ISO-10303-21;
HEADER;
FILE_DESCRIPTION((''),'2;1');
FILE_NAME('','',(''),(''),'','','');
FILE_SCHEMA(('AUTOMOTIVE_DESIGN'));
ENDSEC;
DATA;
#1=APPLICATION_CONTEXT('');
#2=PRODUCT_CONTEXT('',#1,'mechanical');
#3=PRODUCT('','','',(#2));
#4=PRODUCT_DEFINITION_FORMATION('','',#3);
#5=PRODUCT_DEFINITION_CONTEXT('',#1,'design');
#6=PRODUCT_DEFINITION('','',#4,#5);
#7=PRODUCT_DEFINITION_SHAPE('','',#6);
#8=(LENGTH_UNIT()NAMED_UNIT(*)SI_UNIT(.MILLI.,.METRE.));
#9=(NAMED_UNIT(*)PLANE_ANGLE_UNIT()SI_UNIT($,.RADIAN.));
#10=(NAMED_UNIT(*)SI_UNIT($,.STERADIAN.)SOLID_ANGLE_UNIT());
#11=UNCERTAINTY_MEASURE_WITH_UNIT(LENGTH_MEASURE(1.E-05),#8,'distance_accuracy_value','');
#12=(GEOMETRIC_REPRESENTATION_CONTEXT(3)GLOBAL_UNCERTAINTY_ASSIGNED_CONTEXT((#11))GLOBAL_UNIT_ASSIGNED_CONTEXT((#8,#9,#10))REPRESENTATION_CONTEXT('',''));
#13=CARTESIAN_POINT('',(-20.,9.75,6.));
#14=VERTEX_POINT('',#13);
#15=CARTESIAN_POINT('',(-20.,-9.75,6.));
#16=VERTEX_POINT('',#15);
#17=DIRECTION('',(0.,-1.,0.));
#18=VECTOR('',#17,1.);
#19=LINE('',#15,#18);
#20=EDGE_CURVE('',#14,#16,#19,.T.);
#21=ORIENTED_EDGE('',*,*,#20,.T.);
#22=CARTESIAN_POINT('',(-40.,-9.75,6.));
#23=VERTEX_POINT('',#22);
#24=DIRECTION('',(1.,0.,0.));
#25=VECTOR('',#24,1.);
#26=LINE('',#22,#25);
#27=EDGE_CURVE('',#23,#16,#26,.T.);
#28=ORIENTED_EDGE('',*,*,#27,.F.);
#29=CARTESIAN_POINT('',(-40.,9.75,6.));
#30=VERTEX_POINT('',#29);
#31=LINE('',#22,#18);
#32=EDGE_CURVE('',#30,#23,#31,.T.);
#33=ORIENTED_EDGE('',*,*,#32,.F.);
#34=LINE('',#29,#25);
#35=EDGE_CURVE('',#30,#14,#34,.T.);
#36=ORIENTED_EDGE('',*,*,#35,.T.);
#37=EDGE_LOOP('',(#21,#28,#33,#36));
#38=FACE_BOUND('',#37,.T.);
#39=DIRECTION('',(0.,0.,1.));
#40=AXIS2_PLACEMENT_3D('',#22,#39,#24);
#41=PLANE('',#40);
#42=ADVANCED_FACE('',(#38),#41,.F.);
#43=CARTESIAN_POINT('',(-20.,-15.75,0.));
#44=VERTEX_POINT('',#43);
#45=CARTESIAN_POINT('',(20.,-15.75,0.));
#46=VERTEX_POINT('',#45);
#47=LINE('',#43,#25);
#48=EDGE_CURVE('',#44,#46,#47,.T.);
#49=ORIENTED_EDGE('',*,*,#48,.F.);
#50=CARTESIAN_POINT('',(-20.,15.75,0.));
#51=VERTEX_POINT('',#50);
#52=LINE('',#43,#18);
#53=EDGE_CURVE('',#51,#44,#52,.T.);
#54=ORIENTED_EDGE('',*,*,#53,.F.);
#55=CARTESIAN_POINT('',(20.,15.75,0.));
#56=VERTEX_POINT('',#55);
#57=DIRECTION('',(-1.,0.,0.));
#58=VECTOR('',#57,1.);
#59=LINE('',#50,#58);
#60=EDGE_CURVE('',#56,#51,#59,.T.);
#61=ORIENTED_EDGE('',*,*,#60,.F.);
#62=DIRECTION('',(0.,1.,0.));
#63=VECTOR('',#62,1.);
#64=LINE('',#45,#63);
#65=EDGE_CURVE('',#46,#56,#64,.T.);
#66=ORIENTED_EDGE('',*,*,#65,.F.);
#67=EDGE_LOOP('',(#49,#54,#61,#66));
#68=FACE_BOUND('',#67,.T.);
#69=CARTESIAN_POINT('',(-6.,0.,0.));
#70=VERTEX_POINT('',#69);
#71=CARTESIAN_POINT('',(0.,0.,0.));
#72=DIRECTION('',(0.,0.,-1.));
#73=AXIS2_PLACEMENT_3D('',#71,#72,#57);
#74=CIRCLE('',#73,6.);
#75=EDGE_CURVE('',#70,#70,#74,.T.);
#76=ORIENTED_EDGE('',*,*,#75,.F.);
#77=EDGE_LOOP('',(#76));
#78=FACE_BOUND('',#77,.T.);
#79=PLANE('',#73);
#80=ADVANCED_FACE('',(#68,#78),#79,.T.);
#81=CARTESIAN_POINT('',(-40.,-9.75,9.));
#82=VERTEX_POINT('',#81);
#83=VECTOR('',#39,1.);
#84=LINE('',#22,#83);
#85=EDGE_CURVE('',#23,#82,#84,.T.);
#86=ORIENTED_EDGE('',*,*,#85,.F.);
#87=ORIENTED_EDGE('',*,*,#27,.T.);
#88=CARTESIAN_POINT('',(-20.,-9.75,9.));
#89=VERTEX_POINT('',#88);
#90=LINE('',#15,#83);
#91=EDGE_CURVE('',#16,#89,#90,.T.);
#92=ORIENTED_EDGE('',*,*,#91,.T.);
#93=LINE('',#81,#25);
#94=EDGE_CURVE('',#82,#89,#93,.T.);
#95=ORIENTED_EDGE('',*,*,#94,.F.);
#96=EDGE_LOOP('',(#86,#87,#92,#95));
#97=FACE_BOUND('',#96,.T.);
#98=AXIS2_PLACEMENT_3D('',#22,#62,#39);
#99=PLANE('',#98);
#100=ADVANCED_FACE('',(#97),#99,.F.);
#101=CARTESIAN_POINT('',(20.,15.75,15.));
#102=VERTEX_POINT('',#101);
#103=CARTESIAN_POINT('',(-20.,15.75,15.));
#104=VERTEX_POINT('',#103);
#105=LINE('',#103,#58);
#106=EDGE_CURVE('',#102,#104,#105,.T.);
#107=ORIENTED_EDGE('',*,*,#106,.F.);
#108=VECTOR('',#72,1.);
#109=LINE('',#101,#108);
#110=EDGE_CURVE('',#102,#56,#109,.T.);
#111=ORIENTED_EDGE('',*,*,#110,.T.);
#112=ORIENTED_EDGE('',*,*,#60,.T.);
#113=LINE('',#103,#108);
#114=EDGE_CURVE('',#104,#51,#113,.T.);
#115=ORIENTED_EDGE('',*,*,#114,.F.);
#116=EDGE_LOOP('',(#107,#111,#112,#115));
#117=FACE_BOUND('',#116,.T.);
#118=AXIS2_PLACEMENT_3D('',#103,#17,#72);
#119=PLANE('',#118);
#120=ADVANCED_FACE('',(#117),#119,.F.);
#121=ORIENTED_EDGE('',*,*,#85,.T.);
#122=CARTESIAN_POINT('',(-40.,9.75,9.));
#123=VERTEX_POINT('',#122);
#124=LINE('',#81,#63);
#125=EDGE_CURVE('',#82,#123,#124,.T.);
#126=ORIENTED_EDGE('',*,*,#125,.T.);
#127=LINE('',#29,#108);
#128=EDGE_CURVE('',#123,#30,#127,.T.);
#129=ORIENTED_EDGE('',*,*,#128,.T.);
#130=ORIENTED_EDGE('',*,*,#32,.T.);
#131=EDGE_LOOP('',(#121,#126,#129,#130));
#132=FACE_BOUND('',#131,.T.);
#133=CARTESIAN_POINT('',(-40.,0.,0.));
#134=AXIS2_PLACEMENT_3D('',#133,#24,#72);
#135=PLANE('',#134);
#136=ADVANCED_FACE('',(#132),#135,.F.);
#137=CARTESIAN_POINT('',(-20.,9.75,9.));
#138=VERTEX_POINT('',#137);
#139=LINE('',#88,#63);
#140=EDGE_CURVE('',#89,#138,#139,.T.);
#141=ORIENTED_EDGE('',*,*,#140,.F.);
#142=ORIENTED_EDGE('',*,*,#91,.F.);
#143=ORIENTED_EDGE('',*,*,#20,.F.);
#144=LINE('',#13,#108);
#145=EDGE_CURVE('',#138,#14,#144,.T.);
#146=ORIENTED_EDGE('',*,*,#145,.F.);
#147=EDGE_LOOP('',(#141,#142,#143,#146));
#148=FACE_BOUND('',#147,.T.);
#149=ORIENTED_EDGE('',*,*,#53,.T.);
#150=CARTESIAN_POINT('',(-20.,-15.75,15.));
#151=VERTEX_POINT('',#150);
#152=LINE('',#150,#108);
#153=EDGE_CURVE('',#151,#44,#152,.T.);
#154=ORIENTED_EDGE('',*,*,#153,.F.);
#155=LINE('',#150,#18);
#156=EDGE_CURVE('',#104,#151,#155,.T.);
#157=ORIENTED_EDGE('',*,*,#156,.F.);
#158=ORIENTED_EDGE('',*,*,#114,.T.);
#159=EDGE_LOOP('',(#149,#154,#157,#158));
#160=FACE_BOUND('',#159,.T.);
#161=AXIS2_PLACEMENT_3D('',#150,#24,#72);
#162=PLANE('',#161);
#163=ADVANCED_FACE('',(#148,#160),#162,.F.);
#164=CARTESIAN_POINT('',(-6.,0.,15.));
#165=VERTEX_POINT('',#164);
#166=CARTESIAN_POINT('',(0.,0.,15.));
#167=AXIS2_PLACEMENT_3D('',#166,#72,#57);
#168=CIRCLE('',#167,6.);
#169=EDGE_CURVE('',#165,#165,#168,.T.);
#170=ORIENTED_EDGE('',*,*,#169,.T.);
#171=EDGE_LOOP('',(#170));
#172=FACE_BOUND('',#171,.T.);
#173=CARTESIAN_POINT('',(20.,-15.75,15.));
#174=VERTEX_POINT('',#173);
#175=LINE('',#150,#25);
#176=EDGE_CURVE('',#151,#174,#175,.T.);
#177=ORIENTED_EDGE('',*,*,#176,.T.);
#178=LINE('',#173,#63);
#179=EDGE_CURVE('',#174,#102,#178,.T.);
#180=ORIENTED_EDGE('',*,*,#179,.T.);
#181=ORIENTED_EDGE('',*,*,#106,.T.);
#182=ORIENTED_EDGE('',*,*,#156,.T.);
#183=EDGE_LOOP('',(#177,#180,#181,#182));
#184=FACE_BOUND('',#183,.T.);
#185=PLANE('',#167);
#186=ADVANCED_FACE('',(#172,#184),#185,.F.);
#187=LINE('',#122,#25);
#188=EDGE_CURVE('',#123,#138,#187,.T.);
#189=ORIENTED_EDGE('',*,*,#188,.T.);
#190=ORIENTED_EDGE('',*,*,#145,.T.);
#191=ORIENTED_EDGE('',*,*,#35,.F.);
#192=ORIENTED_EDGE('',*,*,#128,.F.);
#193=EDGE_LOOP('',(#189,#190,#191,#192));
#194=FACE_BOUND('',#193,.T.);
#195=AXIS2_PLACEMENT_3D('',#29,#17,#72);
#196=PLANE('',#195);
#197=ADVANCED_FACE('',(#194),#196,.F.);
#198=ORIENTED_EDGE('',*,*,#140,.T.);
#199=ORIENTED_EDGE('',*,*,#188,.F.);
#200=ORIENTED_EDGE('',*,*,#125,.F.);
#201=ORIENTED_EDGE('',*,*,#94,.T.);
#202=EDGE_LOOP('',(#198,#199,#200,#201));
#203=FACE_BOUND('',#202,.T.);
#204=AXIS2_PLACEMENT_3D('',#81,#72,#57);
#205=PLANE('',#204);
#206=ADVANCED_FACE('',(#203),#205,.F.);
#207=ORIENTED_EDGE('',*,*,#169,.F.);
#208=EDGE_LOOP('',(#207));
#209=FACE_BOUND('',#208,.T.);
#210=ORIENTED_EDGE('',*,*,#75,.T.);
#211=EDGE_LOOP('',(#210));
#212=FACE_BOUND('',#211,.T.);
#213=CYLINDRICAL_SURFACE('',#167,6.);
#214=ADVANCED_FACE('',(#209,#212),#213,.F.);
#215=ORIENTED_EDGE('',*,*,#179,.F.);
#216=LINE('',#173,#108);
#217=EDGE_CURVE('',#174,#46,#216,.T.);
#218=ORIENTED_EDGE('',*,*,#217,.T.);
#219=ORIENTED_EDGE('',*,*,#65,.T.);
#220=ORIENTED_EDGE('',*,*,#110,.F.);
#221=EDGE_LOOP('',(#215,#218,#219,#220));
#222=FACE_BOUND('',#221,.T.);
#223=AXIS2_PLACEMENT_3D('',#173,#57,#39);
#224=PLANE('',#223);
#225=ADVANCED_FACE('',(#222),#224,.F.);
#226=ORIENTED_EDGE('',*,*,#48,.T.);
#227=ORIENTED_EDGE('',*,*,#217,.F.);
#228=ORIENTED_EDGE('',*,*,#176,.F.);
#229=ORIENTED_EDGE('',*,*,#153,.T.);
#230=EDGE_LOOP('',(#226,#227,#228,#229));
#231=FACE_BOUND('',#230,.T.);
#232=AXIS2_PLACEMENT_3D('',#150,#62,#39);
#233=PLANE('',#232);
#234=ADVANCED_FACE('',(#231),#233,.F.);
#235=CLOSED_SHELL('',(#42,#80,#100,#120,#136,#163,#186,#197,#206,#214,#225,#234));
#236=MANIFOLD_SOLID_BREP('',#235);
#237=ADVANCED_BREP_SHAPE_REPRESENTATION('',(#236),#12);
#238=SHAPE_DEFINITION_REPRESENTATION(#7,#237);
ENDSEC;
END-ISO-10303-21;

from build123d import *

# Parameters (mm, degrees)
SKETCH1_W           = 40
SKETCH1_H           = 31.5
BOSS_EXTRUDE1_DEPTH = 15
SKETCH2_W           = 3
SKETCH2_H           = 19.5
BOSS_EXTRUDE2_DEPTH = 20
SKETCH3_R           = 6
CUT_EXTRUDE1_DEPTH  = 46.530896104


with BuildPart() as part:
    # Sketch1 → Boss-Extrude1 (new body)
    with BuildSketch(Plane.XY):
        Rectangle(SKETCH1_W, SKETCH1_H)
    extrude(amount=BOSS_EXTRUDE1_DEPTH)

    # Sketch2 → Boss-Extrude2 (add)
    with BuildSketch(Plane.ZY.offset(20)):
        with Locations((7.5, 0)):
            Rectangle(SKETCH2_W, SKETCH2_H)
    extrude(amount=BOSS_EXTRUDE2_DEPTH)

    # Sketch3 → Cut-Extrude1 (cut, through all)
    with BuildSketch(Plane(origin=(0, 0, 0), x_dir=(-1, 0, 0), z_dir=(0, 0, -1))):
        Circle(SKETCH3_R)
    extrude(amount=-CUT_EXTRUDE1_DEPTH, mode=Mode.SUBTRACT)


solid = part.part
